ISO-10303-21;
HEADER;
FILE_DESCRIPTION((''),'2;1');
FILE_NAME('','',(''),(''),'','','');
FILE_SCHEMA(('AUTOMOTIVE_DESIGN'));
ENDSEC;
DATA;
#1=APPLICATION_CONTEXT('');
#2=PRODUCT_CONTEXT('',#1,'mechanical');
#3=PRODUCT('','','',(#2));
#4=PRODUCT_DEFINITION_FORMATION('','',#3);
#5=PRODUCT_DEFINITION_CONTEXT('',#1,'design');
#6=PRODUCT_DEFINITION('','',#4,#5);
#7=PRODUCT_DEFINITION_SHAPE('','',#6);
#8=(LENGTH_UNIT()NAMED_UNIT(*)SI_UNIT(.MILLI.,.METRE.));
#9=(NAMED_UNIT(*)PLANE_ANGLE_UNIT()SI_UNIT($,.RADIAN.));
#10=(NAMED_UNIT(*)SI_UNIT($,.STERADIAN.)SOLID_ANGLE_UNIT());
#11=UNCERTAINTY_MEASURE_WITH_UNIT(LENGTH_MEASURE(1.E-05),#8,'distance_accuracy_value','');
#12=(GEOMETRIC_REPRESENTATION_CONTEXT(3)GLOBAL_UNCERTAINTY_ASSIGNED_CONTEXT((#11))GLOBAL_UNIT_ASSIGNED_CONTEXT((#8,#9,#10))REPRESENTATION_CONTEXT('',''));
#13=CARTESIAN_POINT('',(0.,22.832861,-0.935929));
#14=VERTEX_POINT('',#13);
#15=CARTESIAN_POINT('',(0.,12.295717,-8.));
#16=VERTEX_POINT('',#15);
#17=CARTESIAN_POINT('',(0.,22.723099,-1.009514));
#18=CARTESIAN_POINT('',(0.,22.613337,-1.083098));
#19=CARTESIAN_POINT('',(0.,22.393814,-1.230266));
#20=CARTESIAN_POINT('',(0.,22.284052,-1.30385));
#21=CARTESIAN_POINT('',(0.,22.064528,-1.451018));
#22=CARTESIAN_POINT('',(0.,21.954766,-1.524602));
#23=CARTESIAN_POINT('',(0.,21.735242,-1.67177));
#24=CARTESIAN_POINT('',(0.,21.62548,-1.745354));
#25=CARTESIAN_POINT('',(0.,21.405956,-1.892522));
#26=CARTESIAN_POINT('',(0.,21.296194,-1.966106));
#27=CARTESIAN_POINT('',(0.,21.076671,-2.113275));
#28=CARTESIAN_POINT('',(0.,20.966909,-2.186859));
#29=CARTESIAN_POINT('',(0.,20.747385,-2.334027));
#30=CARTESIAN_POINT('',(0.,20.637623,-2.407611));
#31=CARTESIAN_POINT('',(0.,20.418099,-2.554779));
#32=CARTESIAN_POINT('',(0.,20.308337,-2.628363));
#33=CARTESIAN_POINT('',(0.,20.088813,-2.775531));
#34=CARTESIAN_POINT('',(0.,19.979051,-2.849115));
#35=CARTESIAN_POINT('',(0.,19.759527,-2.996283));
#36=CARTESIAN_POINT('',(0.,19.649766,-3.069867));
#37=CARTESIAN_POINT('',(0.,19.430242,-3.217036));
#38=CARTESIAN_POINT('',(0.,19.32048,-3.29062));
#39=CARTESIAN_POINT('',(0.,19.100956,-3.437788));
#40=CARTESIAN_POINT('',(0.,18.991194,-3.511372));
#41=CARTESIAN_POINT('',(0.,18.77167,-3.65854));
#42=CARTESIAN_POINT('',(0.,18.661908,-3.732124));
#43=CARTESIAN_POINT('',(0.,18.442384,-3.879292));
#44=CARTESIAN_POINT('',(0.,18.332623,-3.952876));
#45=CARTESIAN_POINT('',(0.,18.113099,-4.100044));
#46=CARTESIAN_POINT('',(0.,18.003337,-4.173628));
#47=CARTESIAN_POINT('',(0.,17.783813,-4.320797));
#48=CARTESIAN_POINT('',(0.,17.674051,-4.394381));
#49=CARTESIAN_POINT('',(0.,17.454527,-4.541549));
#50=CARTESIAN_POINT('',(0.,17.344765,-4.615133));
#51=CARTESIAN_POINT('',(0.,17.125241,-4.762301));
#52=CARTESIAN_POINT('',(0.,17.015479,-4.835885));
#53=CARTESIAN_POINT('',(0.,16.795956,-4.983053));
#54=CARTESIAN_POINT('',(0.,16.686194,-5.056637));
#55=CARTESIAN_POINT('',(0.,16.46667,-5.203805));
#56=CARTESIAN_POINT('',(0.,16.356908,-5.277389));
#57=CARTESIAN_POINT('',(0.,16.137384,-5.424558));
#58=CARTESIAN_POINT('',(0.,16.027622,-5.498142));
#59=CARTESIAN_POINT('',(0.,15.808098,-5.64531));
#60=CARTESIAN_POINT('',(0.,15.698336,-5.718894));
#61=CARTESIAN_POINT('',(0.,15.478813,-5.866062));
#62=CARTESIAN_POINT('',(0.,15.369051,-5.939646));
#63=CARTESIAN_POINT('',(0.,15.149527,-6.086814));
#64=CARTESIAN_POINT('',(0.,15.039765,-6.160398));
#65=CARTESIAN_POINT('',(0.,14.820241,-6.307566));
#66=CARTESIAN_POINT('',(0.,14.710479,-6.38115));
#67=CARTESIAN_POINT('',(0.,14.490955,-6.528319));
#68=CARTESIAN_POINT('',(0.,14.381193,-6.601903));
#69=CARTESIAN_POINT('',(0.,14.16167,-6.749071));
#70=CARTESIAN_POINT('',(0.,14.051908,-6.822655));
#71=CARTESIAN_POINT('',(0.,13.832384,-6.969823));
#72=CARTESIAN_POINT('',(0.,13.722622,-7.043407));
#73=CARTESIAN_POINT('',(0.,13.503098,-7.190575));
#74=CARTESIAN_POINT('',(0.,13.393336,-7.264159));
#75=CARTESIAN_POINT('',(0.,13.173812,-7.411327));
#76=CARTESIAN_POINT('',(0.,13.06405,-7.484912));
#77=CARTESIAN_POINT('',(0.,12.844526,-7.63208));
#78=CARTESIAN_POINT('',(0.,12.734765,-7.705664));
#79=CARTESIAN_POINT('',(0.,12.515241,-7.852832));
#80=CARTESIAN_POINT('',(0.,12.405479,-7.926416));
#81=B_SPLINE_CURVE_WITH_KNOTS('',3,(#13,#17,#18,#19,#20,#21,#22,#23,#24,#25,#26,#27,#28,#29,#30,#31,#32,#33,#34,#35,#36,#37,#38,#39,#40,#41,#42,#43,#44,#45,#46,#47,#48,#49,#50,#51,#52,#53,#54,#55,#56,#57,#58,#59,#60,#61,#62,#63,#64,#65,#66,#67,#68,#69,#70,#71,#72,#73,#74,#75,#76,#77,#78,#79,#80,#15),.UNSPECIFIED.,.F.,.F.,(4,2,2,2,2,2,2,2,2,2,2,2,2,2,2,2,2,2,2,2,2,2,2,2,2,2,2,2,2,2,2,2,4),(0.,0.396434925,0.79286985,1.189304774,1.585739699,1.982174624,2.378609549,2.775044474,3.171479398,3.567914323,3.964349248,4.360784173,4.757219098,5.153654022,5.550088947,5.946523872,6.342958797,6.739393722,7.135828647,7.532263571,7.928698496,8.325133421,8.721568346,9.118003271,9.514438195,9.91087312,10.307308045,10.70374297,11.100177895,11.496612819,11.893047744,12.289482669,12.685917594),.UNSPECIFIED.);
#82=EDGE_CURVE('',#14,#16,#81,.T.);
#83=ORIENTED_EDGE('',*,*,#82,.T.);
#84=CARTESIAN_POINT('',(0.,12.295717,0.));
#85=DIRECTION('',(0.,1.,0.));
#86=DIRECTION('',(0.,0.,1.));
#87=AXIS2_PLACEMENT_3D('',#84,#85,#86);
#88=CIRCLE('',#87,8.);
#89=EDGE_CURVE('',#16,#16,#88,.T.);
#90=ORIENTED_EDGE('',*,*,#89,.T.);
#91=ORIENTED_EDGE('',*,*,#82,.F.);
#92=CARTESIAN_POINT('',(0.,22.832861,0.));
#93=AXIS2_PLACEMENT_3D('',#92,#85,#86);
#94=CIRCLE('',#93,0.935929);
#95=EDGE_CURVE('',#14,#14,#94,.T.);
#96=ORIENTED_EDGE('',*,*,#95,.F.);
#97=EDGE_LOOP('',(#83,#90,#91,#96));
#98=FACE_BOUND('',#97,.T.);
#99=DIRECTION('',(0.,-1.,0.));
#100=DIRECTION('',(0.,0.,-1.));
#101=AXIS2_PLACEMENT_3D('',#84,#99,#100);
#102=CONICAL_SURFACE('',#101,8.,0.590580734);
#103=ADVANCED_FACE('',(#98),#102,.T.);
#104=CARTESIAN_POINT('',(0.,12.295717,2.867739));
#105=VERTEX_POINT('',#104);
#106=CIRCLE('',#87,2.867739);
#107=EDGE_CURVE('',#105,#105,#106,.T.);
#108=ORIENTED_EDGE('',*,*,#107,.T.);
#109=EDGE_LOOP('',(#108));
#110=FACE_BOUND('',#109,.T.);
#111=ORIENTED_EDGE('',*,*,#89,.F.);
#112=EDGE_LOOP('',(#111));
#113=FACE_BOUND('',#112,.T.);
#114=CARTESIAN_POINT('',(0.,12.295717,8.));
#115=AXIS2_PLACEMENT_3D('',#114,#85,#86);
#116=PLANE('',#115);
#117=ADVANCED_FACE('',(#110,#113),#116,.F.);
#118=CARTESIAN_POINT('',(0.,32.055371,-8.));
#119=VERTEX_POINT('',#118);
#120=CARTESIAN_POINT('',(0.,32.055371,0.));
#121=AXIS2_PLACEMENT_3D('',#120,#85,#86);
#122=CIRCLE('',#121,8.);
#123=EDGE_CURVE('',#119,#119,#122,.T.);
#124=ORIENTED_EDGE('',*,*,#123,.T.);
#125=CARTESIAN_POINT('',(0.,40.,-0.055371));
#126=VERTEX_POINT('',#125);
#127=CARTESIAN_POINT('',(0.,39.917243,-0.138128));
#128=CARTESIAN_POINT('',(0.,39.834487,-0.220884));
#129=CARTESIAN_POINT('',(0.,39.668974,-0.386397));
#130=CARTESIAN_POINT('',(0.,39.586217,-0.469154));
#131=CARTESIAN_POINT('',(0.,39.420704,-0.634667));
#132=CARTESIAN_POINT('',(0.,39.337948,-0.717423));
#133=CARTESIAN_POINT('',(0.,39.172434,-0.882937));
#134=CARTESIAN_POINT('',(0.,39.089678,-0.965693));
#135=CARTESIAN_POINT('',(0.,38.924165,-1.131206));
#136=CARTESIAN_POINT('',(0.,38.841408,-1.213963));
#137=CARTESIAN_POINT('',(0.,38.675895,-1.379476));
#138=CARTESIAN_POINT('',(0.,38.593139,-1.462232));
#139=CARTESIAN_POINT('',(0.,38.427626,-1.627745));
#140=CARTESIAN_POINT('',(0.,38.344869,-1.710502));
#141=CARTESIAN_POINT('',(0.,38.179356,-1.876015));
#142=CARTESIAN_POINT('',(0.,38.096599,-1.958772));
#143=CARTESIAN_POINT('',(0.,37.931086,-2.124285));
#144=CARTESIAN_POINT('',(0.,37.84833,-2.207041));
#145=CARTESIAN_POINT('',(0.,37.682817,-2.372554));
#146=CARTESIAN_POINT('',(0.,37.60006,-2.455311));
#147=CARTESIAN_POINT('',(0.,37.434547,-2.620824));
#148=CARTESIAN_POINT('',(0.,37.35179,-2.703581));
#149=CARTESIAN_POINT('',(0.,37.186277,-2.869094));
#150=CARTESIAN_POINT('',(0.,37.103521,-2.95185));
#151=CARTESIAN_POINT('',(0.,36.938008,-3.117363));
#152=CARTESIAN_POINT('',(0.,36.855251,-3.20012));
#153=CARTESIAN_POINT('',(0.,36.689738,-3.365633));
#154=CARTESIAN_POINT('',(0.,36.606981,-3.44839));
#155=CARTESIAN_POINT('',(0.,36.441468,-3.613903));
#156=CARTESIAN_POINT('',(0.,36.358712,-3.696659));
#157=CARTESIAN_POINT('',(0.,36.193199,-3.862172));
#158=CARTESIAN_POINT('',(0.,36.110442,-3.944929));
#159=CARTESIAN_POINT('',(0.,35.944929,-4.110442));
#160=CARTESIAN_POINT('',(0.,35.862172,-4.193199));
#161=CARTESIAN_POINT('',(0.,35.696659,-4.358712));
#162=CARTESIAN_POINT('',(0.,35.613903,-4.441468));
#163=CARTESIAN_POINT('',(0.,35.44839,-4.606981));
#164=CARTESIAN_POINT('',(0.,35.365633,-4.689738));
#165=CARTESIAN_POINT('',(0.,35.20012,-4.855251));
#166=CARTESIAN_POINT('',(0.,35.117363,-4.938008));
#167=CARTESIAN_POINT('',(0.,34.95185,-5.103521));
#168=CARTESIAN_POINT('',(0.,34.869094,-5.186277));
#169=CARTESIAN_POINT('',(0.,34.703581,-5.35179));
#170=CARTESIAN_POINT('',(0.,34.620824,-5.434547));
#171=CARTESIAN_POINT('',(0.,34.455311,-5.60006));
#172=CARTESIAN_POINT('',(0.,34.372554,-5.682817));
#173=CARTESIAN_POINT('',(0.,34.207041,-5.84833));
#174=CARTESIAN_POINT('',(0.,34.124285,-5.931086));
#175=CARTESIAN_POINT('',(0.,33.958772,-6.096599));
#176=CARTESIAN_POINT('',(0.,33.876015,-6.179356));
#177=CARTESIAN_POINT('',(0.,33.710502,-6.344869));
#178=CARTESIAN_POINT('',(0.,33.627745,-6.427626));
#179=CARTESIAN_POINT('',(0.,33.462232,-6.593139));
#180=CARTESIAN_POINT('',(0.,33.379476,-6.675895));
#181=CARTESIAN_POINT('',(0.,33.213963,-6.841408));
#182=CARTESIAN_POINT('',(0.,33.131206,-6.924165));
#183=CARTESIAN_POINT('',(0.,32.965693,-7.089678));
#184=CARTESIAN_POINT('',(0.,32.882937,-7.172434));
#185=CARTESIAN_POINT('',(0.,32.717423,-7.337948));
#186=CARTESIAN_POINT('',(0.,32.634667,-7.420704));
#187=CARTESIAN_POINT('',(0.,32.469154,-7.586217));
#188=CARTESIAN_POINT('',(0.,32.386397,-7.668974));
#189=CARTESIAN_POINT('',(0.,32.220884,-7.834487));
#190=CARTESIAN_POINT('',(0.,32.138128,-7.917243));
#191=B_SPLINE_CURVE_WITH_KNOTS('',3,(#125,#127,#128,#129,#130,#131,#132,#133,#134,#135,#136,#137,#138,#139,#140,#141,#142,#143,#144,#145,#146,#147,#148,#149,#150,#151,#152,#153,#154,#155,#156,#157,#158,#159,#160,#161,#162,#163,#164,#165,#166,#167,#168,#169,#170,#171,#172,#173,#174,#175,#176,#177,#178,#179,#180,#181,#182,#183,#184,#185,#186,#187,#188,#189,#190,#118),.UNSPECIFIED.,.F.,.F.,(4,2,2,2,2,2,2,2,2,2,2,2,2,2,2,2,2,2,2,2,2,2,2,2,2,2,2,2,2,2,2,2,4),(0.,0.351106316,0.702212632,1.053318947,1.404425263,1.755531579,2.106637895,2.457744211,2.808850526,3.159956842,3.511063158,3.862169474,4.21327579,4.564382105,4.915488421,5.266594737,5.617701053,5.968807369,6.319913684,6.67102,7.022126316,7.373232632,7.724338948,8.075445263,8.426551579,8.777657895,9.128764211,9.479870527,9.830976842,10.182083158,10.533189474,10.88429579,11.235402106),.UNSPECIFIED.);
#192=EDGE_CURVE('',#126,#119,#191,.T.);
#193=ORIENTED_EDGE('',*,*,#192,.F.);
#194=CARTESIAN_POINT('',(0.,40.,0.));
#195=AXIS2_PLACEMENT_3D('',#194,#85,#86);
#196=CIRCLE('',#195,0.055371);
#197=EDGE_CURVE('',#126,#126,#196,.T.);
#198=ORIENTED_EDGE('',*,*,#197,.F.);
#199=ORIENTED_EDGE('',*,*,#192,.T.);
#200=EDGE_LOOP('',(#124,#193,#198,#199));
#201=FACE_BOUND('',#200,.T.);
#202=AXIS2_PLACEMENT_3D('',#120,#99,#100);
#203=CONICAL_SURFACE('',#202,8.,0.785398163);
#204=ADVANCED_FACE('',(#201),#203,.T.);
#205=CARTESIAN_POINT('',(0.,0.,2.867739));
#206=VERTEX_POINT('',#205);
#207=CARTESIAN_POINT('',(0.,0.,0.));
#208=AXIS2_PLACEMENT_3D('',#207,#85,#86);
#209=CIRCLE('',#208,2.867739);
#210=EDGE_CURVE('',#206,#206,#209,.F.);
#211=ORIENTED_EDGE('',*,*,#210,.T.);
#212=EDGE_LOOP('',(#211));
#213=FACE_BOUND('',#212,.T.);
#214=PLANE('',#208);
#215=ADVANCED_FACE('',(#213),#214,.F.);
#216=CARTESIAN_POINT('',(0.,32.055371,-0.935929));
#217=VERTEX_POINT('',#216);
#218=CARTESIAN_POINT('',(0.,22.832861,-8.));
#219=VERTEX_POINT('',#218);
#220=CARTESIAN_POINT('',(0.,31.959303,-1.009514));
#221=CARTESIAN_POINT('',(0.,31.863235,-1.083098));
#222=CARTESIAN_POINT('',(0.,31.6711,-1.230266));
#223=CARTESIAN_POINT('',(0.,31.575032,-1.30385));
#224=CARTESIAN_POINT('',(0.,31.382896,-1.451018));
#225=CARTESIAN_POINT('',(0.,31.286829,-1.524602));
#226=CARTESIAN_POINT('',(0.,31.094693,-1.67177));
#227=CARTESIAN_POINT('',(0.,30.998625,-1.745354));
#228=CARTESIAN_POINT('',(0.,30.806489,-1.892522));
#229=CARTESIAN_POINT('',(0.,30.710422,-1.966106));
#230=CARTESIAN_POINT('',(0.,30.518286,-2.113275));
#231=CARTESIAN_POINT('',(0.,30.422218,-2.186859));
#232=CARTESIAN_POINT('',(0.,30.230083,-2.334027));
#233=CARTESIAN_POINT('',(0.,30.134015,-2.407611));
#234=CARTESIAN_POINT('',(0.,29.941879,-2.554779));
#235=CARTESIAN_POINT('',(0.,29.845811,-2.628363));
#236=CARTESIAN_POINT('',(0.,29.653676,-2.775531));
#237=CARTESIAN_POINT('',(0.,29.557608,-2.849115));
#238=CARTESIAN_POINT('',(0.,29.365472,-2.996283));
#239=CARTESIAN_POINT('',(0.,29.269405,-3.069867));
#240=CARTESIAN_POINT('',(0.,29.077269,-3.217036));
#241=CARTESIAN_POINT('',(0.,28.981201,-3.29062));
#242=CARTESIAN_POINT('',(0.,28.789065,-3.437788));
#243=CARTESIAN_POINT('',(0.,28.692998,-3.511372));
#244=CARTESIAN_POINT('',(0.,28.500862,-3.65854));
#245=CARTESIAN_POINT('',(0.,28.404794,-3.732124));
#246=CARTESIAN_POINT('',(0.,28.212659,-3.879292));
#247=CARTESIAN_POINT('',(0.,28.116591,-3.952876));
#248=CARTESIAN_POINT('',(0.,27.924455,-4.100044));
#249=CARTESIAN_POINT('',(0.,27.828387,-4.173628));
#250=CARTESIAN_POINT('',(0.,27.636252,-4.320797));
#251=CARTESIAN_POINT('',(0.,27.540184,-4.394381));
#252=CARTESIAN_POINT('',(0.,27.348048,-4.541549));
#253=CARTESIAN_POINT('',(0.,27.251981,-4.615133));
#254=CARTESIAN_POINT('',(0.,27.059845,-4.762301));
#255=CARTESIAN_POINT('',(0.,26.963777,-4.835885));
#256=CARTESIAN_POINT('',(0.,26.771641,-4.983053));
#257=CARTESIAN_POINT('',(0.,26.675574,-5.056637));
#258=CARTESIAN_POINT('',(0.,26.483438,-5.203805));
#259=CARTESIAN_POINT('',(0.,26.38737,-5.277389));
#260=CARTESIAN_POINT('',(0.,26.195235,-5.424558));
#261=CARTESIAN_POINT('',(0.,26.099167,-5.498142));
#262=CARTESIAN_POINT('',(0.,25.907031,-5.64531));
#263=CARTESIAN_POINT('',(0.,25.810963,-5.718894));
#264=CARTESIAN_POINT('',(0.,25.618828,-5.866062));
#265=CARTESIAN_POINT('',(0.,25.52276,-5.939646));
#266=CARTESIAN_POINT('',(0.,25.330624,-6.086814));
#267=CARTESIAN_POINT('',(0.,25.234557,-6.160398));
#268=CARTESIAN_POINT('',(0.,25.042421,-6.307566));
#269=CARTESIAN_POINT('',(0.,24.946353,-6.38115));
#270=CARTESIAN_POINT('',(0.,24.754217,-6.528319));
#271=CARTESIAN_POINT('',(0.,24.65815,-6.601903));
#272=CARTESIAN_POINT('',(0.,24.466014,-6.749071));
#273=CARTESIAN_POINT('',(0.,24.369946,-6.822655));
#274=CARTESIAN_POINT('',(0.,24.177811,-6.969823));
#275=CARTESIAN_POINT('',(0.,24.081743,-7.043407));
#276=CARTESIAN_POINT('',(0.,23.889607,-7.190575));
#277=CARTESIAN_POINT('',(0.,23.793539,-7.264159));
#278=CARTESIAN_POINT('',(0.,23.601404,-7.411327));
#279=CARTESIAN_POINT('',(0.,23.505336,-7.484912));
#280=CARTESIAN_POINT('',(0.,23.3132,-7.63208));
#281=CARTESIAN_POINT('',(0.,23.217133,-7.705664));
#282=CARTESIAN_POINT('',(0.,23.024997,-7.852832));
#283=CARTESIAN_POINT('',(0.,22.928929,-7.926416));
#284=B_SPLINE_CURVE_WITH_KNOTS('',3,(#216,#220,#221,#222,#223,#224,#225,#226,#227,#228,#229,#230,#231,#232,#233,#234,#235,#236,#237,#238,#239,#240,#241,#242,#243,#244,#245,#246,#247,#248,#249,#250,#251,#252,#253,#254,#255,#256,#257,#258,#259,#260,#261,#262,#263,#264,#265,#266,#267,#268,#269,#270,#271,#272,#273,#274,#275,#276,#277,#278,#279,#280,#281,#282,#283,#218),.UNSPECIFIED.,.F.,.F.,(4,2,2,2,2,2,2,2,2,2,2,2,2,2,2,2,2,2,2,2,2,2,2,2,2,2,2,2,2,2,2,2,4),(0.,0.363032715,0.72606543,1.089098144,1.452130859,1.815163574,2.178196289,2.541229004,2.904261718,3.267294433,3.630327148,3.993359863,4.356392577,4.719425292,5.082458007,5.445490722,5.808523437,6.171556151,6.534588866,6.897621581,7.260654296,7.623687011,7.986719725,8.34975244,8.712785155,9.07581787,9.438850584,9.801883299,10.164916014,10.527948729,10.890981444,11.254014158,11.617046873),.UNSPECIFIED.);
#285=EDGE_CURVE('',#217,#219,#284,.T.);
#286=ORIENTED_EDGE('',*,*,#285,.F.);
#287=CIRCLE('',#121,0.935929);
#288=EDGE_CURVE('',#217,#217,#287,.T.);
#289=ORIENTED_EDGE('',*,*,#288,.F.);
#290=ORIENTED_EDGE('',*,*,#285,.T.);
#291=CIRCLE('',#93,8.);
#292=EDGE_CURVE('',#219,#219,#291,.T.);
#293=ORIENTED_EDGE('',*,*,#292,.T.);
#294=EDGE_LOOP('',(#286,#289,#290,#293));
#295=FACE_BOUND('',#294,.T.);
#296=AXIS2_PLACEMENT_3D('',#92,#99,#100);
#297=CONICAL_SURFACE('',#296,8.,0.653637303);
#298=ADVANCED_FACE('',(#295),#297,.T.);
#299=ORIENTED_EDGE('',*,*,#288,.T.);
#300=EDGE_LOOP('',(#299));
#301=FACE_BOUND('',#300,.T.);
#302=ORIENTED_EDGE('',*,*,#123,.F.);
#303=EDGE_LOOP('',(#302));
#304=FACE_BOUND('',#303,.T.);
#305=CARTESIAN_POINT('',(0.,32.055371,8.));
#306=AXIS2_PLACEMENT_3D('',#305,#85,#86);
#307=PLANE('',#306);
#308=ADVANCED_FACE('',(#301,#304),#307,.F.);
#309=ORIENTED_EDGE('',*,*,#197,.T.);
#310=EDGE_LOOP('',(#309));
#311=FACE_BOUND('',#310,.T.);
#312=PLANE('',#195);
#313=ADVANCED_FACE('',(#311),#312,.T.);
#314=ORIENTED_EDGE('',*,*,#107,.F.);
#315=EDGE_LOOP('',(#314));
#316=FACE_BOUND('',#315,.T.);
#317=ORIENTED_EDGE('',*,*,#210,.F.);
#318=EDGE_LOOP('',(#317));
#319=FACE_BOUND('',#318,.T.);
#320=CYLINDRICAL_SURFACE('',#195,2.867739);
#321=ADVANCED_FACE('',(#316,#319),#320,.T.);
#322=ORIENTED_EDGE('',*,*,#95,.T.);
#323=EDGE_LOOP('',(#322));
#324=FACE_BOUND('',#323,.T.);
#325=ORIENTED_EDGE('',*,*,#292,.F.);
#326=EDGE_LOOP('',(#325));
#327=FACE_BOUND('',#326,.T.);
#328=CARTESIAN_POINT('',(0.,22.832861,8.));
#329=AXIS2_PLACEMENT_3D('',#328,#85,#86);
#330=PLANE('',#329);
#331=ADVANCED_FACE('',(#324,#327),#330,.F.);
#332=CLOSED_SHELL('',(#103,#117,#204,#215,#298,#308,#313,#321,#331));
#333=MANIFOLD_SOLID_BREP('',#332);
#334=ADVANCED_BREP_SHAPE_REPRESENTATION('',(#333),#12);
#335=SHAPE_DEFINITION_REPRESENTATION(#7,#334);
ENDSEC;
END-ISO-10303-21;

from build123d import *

# Parameters (mm, degrees)
SKETCH_1_R      = 8
EXTRUDE_1_DEPTH = 40


with BuildPart() as part:
    # 草图1 → 凸台-拉伸1 (new body)
    with BuildSketch(Plane(origin=(0, 0, 0), x_dir=(1, 0, 0), z_dir=(0, 1, 0))):
        with Locations(Location((0, 0, 0), (0, 0, 270))):
            Circle(SKETCH_1_R)
    extrude(amount=EXTRUDE_1_DEPTH)

    # 草图2 → 切除-旋转1 (revolve, cut)
    with BuildSketch(Plane(origin=(0, 0, 0), x_dir=(0, 0, -1), z_dir=(1, 0, 0)), mode=Mode.PRIVATE) as cut_revolve_1_sk:
        Polygon((-0.055370982, 40), (-8, 32.055370982), (-0.935929442, 32.055370982), (-8, 22.83286128), (-0.935929442, 22.83286128), (-8, 12.295716869), (-2.86773925, 12.295716869), (-2.86773925, -1.226951792), (-16.741646059, 0.704858016), (-12.965835978, 40), (-8.83878775, 42.326578441), align=None)
    revolve(cut_revolve_1_sk.sketch.rotate(Axis((0, 40, 0), (0, -1, 0)), 180), axis=Axis((0, 40, 0), (0, -1, 0)), mode=Mode.SUBTRACT)


solid = part.part
